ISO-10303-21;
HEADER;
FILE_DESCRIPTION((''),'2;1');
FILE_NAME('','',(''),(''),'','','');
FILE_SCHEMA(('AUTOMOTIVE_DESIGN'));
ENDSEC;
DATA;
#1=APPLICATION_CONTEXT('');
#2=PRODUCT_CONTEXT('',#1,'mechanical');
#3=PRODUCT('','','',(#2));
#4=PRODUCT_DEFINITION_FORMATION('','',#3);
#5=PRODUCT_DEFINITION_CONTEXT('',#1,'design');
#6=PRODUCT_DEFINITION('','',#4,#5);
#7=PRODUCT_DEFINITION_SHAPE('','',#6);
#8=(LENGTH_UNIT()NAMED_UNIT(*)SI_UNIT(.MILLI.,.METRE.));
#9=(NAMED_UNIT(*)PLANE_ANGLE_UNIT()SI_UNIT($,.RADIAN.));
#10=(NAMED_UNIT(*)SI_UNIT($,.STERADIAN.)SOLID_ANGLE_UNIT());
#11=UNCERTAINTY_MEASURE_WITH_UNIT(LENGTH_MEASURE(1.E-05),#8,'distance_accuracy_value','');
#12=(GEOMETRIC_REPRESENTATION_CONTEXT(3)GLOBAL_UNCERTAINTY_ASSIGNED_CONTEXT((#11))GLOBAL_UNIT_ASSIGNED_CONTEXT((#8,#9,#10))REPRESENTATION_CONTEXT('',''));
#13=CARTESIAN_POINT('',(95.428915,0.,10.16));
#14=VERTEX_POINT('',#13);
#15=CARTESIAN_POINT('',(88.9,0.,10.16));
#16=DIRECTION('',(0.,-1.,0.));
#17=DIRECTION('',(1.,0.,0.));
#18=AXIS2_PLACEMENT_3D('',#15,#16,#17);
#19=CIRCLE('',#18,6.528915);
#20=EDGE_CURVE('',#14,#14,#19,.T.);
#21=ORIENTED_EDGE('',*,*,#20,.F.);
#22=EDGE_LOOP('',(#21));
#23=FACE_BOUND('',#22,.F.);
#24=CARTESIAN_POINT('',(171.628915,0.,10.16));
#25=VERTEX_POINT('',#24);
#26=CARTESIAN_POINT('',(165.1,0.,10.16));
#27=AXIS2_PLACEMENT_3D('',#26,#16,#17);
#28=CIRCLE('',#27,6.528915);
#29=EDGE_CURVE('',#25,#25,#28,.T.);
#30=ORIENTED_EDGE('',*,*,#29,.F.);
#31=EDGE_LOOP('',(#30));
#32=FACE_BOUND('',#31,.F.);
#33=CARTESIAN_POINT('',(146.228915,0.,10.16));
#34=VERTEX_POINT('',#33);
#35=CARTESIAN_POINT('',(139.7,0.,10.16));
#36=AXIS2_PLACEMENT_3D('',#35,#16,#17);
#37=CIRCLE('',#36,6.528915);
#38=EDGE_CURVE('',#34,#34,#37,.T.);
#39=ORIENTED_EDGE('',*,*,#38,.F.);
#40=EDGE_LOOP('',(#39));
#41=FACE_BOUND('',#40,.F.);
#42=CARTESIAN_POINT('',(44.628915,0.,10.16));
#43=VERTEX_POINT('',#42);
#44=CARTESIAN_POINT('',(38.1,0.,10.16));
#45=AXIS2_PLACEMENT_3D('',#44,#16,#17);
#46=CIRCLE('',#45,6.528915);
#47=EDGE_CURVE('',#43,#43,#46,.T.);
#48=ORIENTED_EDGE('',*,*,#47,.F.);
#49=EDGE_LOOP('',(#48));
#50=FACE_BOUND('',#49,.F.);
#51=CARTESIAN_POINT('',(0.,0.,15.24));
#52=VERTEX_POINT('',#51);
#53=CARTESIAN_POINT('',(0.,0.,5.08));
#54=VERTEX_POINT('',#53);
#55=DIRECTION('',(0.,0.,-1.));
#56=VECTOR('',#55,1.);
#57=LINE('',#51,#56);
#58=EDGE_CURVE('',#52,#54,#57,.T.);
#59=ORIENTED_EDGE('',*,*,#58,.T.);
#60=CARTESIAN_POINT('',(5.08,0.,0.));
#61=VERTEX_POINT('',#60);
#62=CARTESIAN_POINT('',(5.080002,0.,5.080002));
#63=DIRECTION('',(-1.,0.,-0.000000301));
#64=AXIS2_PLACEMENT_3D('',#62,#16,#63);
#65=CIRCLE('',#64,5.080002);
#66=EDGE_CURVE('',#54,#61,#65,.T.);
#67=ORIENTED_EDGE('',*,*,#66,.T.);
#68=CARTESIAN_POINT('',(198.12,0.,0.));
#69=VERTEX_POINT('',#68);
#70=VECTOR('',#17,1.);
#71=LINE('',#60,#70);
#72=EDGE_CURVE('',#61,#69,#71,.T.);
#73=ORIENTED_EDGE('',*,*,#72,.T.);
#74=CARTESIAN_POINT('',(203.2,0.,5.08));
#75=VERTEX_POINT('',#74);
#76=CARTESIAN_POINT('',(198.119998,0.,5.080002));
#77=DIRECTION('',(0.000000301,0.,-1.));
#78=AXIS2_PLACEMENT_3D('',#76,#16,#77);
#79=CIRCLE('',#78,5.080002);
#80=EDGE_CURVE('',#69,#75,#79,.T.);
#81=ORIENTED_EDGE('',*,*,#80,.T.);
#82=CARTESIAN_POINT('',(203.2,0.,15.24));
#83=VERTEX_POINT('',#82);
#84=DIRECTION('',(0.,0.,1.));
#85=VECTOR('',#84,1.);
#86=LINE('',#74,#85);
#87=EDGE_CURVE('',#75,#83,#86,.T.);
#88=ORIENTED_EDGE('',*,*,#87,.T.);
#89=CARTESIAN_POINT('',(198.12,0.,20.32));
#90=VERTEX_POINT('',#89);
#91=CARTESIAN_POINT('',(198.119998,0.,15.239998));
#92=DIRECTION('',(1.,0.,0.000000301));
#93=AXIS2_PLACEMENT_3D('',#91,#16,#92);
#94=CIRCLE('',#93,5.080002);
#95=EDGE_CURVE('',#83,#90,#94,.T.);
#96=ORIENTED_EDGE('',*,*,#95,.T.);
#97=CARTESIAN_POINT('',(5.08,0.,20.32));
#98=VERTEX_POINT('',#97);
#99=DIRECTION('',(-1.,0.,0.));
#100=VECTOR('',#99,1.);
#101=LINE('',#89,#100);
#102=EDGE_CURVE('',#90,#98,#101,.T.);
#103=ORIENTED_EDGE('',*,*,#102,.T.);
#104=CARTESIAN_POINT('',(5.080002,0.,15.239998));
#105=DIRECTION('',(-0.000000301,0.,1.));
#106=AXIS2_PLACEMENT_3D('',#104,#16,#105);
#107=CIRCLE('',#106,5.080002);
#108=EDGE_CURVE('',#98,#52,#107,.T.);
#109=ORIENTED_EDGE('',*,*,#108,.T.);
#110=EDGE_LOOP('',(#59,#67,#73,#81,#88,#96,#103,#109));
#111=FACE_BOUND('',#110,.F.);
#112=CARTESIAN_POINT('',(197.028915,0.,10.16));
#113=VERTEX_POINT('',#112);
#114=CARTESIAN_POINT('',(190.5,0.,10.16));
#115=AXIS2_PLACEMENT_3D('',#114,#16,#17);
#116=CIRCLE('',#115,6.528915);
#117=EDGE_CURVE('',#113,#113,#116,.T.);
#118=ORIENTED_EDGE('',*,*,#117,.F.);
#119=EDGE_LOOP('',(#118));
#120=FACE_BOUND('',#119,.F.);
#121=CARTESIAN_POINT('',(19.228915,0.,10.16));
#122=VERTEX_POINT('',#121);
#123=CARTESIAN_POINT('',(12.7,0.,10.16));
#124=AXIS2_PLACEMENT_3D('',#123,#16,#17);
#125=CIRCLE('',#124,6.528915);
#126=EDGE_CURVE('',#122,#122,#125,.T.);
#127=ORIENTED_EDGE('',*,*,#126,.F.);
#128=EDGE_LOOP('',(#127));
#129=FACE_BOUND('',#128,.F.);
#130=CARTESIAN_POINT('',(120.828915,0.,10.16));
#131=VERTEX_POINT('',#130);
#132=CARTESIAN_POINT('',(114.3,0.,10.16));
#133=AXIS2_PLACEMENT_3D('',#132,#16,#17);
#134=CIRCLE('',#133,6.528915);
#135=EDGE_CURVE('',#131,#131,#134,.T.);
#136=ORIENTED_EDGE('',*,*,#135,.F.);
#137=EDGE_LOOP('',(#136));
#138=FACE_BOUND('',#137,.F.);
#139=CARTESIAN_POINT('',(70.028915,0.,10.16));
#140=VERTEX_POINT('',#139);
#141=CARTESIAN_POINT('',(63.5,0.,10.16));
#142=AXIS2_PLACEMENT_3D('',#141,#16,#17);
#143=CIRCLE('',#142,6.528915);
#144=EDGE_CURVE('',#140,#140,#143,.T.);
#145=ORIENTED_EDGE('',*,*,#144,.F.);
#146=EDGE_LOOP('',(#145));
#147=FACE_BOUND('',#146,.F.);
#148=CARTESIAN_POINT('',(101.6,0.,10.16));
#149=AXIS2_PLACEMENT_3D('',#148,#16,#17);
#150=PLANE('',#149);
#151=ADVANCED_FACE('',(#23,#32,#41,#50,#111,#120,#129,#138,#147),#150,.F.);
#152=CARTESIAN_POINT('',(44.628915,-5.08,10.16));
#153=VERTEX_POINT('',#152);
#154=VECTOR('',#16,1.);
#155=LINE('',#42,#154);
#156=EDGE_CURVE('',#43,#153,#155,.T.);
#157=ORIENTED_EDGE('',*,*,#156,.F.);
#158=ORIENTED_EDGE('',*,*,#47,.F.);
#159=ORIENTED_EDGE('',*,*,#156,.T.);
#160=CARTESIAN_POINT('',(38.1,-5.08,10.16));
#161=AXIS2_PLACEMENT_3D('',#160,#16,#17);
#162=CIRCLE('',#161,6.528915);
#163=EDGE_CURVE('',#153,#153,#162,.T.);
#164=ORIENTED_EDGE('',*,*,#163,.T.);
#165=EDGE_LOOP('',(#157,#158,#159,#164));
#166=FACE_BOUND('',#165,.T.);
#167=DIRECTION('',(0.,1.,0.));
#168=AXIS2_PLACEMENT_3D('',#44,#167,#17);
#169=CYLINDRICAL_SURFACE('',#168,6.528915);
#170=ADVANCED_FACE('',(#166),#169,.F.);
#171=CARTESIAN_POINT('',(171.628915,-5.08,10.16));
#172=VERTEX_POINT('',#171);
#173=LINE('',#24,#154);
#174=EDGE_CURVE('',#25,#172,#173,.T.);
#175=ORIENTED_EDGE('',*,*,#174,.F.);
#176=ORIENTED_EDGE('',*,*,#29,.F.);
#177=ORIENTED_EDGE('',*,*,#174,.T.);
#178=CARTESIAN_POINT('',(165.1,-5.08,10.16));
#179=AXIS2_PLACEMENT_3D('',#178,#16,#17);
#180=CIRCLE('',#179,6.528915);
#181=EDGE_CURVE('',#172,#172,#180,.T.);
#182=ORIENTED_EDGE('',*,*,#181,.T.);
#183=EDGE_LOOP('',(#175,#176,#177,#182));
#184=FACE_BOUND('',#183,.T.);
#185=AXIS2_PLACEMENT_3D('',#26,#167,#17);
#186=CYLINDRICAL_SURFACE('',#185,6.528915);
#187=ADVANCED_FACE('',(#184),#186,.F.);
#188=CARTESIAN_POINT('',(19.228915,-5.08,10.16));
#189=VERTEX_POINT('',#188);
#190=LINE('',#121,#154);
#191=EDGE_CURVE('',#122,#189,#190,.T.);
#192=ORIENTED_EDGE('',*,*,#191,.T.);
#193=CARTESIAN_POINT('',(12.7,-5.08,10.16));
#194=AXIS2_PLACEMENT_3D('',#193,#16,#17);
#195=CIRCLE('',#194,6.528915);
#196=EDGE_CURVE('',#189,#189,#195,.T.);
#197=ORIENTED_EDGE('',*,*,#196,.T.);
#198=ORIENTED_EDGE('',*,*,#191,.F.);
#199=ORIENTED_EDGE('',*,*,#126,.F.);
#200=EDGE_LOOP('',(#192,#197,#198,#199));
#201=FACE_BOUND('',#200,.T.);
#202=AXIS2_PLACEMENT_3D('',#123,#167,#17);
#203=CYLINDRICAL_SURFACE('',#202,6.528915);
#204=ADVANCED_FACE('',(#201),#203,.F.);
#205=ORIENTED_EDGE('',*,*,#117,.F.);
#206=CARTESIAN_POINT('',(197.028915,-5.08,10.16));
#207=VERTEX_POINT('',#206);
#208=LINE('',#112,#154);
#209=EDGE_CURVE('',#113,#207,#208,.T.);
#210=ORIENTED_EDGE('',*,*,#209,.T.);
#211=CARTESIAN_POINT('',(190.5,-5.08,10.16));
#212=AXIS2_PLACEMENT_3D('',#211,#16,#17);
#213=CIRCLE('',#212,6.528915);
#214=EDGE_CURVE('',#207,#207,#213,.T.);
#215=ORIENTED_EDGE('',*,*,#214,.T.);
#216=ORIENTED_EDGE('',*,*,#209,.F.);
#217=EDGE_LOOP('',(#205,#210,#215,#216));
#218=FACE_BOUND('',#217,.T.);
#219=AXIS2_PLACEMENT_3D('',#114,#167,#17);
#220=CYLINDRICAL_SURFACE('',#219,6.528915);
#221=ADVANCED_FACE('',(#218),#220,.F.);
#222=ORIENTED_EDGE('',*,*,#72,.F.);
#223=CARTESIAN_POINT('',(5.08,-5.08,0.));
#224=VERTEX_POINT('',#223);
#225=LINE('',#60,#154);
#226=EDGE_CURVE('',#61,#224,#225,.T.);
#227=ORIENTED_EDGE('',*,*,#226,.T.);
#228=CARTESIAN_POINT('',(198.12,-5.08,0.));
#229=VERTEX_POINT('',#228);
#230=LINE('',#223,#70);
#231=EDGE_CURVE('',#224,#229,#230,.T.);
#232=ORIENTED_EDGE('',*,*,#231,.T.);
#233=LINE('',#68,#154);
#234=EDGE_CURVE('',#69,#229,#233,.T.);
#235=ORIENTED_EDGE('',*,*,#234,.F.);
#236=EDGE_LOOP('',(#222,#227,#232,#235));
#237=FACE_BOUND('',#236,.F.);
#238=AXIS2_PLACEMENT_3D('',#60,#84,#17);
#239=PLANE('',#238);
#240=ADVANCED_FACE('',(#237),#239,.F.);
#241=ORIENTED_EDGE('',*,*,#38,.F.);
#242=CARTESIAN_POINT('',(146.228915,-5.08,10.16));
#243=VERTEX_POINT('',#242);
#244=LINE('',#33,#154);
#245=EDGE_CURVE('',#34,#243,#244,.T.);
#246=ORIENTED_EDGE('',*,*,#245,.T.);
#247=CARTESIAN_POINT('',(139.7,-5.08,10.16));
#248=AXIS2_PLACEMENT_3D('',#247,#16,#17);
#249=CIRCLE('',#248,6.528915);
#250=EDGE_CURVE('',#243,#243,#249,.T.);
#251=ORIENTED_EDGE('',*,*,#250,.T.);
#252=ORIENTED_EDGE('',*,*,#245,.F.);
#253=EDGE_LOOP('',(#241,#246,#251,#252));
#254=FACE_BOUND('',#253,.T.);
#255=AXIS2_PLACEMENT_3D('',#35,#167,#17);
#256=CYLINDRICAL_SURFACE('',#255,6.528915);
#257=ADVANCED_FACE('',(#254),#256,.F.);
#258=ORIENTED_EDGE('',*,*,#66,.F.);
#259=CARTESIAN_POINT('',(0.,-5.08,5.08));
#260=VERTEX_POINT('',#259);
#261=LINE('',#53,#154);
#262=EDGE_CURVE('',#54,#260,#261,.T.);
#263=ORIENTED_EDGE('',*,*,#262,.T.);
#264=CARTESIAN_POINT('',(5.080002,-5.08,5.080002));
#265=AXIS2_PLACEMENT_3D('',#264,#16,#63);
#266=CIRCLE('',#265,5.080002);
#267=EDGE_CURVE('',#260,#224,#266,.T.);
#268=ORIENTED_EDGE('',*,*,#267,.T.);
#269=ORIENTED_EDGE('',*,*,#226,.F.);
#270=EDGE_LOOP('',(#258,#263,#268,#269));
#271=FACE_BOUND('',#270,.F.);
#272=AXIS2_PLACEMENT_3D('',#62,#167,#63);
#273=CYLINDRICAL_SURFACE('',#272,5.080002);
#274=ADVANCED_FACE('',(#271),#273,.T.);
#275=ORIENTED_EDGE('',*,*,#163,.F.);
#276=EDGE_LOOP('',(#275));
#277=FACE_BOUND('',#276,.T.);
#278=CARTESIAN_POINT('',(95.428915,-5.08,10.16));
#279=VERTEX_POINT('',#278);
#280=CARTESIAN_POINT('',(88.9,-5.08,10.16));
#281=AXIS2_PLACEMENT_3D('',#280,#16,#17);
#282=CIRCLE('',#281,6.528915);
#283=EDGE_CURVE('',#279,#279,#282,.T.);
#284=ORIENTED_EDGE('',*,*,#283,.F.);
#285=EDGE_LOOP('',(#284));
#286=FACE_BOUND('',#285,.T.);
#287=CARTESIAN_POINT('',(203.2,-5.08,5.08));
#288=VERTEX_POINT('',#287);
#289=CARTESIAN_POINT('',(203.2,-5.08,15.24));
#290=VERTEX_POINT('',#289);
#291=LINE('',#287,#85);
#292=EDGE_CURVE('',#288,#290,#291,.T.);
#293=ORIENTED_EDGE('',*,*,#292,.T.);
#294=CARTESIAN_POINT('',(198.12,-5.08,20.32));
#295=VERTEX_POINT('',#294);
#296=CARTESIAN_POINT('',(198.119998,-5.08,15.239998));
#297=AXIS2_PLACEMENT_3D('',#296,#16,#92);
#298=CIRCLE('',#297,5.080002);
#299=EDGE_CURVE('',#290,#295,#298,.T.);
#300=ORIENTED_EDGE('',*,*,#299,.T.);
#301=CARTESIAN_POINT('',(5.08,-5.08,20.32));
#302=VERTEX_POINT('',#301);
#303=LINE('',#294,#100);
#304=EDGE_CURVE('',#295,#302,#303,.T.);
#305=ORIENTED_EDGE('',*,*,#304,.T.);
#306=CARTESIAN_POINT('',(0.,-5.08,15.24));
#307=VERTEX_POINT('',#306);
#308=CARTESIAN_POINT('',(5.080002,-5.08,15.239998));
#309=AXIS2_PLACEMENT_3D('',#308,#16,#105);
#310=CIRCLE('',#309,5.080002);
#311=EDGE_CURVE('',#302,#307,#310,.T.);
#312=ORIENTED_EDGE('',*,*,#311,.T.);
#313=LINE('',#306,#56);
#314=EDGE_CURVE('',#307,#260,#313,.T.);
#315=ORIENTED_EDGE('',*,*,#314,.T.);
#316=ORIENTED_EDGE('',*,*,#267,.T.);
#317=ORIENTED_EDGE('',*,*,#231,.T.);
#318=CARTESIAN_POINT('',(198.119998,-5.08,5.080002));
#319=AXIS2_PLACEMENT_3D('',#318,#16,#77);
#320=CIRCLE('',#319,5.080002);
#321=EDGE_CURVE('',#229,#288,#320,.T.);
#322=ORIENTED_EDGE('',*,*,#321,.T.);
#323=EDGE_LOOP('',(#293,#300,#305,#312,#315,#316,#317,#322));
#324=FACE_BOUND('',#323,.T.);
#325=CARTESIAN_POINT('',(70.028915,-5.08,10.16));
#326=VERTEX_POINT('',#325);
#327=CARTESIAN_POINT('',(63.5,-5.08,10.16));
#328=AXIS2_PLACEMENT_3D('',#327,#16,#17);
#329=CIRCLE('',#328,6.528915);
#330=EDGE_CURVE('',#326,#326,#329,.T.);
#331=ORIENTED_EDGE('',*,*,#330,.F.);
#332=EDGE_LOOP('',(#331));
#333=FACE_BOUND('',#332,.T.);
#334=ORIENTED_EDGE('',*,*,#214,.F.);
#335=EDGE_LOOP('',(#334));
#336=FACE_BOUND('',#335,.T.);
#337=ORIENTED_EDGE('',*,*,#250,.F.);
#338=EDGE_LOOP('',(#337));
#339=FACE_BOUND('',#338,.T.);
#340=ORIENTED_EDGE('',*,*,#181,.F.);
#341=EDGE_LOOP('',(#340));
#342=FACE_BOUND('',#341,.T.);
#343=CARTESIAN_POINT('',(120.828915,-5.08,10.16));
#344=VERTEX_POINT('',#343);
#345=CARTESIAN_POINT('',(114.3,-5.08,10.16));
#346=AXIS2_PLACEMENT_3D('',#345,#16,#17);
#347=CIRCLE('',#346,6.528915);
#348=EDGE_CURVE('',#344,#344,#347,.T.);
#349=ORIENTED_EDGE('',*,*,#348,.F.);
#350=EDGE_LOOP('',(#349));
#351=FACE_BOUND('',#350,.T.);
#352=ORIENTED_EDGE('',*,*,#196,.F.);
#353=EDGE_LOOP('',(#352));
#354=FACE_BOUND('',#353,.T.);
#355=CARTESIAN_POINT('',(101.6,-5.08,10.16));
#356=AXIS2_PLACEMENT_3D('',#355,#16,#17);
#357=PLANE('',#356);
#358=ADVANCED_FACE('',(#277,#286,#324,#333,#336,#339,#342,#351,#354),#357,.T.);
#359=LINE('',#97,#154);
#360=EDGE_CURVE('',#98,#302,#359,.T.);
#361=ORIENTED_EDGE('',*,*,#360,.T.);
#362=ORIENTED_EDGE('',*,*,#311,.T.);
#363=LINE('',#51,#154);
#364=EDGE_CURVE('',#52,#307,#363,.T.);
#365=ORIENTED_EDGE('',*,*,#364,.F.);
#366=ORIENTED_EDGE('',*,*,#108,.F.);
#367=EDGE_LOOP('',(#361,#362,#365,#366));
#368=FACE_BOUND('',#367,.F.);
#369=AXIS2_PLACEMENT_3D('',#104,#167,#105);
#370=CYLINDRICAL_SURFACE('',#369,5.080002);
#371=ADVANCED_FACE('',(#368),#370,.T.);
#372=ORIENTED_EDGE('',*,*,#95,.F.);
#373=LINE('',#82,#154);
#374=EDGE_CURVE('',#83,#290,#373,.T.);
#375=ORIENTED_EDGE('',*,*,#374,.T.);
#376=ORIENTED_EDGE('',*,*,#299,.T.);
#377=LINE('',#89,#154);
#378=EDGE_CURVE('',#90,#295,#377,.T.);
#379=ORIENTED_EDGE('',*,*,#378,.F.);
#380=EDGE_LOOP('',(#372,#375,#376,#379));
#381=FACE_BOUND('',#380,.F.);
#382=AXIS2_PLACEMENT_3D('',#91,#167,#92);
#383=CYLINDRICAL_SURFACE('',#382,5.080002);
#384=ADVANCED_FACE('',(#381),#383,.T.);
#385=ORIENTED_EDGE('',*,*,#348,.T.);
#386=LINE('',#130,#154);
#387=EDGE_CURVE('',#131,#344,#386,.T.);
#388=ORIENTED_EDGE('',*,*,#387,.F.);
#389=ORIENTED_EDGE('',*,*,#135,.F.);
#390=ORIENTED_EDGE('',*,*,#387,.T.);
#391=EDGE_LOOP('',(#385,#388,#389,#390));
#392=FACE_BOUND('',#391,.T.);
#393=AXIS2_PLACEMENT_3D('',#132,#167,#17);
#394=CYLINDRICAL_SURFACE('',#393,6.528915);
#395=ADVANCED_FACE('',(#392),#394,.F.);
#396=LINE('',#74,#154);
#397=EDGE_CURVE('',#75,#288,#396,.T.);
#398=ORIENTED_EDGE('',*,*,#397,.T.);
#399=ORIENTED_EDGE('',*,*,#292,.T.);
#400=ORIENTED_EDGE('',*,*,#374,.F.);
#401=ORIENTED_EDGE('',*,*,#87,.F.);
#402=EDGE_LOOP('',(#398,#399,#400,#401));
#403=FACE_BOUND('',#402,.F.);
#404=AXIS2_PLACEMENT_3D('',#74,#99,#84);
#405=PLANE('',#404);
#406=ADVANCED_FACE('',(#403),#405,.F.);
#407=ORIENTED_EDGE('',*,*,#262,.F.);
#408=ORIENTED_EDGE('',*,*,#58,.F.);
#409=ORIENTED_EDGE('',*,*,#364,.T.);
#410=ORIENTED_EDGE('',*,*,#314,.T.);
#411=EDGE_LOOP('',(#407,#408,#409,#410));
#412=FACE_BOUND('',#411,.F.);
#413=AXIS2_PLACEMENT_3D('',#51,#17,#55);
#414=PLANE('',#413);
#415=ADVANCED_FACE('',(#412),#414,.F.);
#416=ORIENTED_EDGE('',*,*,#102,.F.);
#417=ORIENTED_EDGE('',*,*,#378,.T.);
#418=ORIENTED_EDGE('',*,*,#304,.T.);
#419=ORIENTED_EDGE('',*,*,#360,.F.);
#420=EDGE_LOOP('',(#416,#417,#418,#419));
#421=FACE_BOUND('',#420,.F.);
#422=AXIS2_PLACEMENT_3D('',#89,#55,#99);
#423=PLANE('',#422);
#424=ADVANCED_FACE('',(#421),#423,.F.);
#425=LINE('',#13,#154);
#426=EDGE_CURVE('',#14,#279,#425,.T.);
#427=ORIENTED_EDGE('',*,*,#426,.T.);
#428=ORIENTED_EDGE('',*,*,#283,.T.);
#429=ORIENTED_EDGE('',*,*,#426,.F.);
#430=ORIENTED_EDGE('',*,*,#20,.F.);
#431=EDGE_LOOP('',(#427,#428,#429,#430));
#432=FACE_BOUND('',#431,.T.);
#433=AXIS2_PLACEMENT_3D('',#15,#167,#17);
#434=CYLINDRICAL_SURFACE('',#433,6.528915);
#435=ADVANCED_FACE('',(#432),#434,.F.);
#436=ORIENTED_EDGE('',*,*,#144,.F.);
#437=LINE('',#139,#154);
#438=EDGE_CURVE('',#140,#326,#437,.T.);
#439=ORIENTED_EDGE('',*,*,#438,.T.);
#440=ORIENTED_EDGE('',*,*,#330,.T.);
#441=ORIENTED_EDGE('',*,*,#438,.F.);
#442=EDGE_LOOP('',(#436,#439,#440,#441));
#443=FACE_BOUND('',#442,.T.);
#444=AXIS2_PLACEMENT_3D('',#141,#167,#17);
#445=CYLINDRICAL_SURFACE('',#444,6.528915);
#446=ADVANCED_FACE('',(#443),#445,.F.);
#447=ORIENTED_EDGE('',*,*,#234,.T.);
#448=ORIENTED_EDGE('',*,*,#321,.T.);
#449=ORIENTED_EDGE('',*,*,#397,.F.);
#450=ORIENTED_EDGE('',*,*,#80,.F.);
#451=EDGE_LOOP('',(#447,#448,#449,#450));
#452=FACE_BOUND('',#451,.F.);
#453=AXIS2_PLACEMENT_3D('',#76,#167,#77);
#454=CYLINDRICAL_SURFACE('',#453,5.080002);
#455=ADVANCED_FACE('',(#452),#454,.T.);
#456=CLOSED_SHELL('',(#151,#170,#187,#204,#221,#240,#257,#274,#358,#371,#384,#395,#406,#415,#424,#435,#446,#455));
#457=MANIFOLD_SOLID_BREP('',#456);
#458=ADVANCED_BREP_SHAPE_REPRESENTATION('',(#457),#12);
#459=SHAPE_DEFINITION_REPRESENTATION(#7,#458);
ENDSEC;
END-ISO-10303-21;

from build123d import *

# Parameters (mm, degrees)
F0_R     = 6.528915
F1_DEPTH = 5.08


with BuildPart() as f1:
    # F0 (on Front) → F1 (new body)
    with BuildSketch(Plane.XZ):
        with BuildLine():
            ThreePointArc((0, 5.08), (1.487898, 1.487898), (5.08, 0))
            Line((5.08, 0), (198.12, 0))
            ThreePointArc((198.12, 0), (201.712102, 1.487898), (203.2, 5.08))
            Line((203.2, 5.08), (203.2, 15.24))
            ThreePointArc((203.2, 15.24), (201.712102, 18.832102), (198.12, 20.32))
            Line((198.12, 20.32), (5.08, 20.32))
            ThreePointArc((5.08, 20.32), (1.487898, 18.832102), (0, 15.24))
            Line((0, 15.24), (0, 5.08))
        make_face()
        with Locations((12.7, 10.16)):
            Circle(F0_R, mode=Mode.SUBTRACT)
        with Locations((38.1, 10.16)):
            Circle(F0_R, mode=Mode.SUBTRACT)
        with Locations((63.5, 10.16)):
            Circle(F0_R, mode=Mode.SUBTRACT)
        with Locations((88.9, 10.16)):
            Circle(F0_R, mode=Mode.SUBTRACT)
        with Locations((114.3, 10.16)):
            Circle(F0_R, mode=Mode.SUBTRACT)
        with Locations((139.7, 10.16)):
            Circle(F0_R, mode=Mode.SUBTRACT)
        with Locations((165.1, 10.16)):
            Circle(F0_R, mode=Mode.SUBTRACT)
        with Locations((190.5, 10.16)):
            Circle(F0_R, mode=Mode.SUBTRACT)
    extrude(amount=F1_DEPTH)


solid = f1.part
